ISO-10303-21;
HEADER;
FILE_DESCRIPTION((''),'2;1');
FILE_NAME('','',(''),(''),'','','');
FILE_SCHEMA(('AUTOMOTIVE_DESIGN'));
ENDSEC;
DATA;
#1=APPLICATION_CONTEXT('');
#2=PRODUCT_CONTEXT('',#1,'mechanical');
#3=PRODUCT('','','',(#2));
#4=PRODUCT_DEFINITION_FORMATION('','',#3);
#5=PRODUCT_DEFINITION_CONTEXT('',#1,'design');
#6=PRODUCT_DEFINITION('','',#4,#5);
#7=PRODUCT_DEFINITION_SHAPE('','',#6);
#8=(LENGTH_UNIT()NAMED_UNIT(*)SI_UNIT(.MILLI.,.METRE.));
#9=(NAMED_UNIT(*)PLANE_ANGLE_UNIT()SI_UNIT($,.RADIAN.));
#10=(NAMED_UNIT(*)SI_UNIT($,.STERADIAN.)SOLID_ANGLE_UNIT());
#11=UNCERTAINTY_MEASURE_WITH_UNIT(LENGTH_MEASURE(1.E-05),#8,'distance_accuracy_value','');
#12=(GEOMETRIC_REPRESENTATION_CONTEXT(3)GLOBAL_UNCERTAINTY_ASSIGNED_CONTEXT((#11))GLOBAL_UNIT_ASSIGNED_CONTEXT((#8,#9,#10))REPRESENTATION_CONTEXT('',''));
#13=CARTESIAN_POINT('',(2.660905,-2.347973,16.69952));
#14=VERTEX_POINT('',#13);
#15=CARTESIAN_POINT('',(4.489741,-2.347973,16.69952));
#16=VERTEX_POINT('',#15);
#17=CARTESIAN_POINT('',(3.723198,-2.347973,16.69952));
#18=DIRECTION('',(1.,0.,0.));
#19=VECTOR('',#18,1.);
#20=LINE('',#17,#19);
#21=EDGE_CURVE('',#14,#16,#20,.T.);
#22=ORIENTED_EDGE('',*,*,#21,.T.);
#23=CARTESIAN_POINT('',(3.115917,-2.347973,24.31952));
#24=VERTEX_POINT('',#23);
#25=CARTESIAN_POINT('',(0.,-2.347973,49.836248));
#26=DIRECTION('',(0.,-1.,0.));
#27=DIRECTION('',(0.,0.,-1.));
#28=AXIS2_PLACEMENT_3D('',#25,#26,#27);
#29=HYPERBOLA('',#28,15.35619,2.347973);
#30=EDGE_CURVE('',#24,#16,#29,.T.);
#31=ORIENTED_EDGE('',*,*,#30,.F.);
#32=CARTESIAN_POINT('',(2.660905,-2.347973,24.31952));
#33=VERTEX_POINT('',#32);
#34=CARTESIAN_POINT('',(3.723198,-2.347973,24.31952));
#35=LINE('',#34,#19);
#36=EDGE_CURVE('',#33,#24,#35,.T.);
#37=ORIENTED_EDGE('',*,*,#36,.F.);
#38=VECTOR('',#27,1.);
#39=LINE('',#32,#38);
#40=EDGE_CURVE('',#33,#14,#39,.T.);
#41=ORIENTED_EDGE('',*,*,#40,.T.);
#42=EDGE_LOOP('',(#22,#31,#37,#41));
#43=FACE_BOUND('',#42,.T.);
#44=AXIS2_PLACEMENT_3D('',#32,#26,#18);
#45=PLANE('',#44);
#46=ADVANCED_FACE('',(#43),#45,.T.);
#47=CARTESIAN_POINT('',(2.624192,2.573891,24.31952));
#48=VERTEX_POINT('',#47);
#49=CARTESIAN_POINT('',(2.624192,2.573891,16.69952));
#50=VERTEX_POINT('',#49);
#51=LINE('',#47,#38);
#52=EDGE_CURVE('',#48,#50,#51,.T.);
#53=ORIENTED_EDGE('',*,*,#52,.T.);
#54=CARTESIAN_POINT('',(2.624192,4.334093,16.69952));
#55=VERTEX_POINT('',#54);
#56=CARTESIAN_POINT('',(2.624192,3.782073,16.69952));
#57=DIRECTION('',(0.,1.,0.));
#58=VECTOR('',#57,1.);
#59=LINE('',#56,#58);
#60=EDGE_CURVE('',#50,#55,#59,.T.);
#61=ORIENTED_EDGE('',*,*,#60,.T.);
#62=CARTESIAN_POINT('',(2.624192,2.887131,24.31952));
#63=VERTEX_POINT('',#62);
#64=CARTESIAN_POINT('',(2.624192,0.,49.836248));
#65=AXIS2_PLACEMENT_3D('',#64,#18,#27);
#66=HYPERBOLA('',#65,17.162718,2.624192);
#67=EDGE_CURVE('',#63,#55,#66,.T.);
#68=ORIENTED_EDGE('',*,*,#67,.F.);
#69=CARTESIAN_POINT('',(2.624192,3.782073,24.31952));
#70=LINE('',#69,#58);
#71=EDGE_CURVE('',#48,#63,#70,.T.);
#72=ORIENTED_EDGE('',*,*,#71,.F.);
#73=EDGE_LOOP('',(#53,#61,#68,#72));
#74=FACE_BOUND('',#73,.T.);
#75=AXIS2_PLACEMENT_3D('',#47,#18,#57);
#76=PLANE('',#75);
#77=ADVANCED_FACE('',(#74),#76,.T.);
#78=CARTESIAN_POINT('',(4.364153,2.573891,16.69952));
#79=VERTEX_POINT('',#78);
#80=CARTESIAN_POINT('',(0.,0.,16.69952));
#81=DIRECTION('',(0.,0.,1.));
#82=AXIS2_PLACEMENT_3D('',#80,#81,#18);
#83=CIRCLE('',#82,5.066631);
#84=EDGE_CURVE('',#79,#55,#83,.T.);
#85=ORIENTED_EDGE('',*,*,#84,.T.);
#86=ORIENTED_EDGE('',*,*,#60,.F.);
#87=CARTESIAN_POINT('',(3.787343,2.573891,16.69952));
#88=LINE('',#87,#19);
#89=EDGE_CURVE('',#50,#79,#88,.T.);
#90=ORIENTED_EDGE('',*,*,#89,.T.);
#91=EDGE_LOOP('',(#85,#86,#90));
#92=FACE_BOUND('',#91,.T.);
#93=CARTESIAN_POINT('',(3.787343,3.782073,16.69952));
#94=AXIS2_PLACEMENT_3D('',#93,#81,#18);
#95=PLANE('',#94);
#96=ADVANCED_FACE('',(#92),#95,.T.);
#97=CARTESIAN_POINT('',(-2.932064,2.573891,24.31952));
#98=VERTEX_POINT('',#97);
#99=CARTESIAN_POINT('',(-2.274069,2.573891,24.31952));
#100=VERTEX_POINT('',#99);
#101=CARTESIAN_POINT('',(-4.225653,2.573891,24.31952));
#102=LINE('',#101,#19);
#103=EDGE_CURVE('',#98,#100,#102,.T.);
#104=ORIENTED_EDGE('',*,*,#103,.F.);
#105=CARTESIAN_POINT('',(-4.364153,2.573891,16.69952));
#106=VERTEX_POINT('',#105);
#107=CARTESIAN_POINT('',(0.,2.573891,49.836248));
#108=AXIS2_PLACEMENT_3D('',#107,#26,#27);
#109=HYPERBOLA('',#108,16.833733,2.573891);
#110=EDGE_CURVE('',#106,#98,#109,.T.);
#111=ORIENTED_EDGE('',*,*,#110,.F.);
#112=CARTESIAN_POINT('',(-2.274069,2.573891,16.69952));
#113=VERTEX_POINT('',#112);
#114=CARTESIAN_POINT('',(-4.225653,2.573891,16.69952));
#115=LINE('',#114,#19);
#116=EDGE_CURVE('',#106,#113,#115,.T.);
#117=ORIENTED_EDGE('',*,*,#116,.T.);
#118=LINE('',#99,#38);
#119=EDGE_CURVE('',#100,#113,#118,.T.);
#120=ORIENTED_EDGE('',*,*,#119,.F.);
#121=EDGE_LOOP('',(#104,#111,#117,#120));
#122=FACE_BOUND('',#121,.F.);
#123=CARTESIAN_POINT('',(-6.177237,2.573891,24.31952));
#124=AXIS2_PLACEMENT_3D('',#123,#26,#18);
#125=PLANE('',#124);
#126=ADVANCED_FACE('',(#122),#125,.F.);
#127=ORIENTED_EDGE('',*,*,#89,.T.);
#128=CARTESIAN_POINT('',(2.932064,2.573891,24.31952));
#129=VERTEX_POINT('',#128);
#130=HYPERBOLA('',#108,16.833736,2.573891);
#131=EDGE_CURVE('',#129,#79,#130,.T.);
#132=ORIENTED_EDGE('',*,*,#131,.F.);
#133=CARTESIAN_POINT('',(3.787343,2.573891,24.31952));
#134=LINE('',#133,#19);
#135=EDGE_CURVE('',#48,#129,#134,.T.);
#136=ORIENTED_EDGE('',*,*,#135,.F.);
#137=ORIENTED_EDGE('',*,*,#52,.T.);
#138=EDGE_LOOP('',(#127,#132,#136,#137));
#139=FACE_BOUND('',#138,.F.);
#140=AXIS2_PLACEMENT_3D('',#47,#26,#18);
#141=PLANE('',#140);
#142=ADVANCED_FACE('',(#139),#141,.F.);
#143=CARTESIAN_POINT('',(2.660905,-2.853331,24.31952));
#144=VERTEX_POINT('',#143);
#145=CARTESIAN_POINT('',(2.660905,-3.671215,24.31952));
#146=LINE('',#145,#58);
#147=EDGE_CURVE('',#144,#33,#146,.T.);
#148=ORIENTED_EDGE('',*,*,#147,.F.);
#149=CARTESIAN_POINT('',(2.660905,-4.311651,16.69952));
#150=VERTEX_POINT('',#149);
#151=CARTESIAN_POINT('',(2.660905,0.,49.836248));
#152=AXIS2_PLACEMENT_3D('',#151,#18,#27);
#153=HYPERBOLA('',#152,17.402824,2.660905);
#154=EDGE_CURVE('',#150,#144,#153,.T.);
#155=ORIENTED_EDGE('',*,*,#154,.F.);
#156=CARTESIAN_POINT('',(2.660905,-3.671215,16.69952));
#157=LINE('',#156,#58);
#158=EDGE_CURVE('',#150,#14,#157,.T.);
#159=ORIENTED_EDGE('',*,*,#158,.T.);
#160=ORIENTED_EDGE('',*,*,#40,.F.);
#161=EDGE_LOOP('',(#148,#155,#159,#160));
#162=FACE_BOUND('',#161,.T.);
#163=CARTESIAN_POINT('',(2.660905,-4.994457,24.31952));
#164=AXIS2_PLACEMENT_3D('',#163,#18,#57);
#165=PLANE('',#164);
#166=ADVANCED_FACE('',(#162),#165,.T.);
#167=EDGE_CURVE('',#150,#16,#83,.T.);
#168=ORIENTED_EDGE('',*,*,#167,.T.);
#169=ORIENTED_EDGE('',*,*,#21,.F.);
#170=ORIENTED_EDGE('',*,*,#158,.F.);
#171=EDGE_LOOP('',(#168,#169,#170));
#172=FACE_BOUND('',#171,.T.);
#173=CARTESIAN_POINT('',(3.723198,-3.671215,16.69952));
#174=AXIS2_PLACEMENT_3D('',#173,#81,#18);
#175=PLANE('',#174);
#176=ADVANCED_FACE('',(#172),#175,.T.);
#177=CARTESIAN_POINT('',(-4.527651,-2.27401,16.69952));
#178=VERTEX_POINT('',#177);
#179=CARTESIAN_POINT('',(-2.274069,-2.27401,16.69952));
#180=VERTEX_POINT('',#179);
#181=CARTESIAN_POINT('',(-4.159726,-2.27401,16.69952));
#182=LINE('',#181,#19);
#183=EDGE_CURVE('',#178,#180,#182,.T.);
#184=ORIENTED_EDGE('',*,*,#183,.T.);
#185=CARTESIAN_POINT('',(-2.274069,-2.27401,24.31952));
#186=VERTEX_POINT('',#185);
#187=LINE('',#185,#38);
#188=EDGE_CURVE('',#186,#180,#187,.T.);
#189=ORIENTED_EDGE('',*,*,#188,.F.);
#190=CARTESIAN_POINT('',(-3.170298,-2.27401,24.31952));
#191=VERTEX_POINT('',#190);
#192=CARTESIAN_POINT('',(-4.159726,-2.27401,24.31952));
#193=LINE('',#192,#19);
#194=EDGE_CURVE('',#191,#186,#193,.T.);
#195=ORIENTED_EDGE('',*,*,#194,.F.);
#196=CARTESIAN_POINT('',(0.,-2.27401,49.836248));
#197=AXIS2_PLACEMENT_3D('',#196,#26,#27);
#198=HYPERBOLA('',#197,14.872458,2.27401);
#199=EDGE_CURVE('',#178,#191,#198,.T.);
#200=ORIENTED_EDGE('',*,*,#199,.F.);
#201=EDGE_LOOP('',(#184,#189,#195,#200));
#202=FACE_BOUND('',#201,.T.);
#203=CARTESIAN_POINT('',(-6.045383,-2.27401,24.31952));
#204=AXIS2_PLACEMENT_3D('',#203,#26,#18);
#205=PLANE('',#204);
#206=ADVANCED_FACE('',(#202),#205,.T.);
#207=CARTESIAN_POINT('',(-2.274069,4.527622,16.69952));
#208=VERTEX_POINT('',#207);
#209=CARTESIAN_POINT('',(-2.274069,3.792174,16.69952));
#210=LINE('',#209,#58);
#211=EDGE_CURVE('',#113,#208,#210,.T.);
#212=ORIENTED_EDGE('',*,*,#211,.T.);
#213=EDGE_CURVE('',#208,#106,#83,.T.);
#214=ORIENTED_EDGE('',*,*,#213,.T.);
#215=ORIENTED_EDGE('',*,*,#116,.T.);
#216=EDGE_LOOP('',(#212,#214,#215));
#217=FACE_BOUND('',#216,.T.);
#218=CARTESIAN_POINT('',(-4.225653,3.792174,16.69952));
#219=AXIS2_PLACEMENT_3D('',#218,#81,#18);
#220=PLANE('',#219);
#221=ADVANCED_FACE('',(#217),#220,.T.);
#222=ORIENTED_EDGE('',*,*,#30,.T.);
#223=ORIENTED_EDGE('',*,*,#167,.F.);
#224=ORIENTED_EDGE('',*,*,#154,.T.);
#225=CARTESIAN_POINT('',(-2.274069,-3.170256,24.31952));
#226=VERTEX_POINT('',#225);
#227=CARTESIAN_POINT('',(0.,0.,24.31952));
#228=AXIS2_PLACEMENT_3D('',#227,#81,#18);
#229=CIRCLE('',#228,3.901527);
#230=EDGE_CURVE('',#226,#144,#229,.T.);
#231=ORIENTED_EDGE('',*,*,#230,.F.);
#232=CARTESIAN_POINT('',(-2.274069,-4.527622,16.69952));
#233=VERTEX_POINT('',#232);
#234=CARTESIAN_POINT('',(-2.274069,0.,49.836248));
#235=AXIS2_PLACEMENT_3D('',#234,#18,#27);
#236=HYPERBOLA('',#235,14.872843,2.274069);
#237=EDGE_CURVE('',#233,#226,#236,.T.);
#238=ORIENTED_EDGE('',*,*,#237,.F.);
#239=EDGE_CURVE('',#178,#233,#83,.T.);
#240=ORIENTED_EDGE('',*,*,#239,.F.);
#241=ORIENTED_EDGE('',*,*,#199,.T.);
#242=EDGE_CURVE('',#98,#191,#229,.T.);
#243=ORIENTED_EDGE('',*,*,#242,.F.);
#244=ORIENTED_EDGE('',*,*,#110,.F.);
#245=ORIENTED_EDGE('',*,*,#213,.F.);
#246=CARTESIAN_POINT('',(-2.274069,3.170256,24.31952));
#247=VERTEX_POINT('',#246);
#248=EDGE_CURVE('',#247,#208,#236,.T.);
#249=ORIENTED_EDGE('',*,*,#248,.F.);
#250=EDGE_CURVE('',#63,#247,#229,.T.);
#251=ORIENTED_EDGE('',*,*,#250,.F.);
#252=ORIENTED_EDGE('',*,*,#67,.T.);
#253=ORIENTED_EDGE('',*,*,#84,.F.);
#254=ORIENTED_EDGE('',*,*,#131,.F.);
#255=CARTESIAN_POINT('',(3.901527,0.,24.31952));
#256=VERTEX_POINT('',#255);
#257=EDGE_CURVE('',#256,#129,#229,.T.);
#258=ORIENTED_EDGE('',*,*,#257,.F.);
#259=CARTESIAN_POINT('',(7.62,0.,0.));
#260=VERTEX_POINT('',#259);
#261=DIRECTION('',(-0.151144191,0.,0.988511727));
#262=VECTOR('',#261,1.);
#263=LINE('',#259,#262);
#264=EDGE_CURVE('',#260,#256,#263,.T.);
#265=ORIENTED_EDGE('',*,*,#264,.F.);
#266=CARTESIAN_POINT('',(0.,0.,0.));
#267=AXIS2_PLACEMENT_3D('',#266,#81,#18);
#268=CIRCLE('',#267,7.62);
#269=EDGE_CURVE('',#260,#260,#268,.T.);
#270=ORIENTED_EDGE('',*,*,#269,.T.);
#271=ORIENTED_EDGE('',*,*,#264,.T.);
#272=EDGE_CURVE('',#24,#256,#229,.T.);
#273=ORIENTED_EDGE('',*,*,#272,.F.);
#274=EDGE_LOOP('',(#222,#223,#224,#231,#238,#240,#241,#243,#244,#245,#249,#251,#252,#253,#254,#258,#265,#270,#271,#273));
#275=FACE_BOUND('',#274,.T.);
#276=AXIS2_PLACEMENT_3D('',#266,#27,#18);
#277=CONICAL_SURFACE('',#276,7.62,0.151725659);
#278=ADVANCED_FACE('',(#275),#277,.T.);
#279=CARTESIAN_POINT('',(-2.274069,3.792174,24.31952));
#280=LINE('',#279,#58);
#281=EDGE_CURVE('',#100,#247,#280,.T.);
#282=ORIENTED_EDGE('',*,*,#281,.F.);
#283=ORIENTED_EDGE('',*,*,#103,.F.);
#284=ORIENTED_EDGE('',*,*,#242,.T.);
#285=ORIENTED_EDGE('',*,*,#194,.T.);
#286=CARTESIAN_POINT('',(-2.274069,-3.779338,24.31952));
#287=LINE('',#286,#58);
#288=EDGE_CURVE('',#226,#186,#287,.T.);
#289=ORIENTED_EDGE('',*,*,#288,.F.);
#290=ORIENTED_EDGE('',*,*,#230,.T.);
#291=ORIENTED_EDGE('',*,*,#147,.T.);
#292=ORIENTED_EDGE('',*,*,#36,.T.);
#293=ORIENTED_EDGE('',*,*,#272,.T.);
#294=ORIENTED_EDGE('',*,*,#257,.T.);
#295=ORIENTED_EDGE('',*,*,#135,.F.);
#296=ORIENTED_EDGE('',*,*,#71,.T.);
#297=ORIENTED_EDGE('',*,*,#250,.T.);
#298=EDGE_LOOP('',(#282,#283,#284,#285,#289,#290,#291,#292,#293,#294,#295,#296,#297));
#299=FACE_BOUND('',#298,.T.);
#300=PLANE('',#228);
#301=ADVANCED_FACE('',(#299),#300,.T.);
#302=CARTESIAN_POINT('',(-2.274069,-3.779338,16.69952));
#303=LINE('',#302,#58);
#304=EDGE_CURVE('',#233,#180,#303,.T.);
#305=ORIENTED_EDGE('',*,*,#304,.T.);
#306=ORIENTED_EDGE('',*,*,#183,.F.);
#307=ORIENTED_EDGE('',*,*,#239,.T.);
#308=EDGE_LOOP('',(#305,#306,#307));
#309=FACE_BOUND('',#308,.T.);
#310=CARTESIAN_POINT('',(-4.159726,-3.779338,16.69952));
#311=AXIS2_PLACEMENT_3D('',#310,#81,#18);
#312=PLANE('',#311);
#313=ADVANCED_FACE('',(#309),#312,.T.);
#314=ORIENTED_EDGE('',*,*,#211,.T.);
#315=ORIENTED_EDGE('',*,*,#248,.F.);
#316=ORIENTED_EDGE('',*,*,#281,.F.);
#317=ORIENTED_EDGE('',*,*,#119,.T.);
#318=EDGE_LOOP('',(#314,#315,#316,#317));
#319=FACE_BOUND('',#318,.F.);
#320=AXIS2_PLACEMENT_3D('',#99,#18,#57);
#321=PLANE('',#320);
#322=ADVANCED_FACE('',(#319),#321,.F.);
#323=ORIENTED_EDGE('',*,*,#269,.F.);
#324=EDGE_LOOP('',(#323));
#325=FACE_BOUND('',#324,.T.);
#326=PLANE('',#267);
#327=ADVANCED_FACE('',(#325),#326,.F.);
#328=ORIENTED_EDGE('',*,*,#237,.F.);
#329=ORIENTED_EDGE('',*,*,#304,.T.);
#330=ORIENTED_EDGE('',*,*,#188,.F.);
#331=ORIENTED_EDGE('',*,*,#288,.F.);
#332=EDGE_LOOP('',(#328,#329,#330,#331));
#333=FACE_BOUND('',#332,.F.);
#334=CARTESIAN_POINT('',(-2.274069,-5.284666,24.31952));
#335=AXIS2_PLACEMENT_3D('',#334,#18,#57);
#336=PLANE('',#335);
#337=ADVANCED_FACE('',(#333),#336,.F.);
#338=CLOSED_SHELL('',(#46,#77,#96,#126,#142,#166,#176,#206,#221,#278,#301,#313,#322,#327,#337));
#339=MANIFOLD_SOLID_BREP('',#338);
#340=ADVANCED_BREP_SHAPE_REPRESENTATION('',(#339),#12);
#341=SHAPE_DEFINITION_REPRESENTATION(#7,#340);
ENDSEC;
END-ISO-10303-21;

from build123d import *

# Parameters (mm, degrees)
F3_W     = 2.124586
F3_H     = 2.646484
F3_W_2   = 2.326301
F3_H_2   = 2.416364
F3_W_3   = 3.771314
F3_H_3   = 3.010656
F3_W_4   = 3.903168
F3_H_4   = 2.436567
F4_DEPTH = 7.62


with BuildPart() as f1:
    # F0 (on Front) → F1 (revolve)
    with BuildSketch(Plane.XZ):
        Polygon((0, 24.31952), (0, 0), (7.62, 0), (3.901527, 24.31952), align=None)
    revolve(axis=Axis((0, 0, 12.15976), (0, 0, 1)))

    # F3 (on offset) → F4 (cut)
    with BuildSketch(Plane.XY.offset(24.31952)):
        with Locations((3.723198, -3.671215)):
            Rectangle(F3_W, F3_H)
        with Locations((3.787343, 3.782073)):
            Rectangle(F3_W_2, F3_H_2)
        with Locations((-4.159726, -3.779338)):
            Rectangle(F3_W_3, F3_H_3)
        with Locations((-4.225653, 3.792174)):
            Rectangle(F3_W_4, F3_H_4)
    extrude(amount=-F4_DEPTH, mode=Mode.SUBTRACT)


solid = f1.part
